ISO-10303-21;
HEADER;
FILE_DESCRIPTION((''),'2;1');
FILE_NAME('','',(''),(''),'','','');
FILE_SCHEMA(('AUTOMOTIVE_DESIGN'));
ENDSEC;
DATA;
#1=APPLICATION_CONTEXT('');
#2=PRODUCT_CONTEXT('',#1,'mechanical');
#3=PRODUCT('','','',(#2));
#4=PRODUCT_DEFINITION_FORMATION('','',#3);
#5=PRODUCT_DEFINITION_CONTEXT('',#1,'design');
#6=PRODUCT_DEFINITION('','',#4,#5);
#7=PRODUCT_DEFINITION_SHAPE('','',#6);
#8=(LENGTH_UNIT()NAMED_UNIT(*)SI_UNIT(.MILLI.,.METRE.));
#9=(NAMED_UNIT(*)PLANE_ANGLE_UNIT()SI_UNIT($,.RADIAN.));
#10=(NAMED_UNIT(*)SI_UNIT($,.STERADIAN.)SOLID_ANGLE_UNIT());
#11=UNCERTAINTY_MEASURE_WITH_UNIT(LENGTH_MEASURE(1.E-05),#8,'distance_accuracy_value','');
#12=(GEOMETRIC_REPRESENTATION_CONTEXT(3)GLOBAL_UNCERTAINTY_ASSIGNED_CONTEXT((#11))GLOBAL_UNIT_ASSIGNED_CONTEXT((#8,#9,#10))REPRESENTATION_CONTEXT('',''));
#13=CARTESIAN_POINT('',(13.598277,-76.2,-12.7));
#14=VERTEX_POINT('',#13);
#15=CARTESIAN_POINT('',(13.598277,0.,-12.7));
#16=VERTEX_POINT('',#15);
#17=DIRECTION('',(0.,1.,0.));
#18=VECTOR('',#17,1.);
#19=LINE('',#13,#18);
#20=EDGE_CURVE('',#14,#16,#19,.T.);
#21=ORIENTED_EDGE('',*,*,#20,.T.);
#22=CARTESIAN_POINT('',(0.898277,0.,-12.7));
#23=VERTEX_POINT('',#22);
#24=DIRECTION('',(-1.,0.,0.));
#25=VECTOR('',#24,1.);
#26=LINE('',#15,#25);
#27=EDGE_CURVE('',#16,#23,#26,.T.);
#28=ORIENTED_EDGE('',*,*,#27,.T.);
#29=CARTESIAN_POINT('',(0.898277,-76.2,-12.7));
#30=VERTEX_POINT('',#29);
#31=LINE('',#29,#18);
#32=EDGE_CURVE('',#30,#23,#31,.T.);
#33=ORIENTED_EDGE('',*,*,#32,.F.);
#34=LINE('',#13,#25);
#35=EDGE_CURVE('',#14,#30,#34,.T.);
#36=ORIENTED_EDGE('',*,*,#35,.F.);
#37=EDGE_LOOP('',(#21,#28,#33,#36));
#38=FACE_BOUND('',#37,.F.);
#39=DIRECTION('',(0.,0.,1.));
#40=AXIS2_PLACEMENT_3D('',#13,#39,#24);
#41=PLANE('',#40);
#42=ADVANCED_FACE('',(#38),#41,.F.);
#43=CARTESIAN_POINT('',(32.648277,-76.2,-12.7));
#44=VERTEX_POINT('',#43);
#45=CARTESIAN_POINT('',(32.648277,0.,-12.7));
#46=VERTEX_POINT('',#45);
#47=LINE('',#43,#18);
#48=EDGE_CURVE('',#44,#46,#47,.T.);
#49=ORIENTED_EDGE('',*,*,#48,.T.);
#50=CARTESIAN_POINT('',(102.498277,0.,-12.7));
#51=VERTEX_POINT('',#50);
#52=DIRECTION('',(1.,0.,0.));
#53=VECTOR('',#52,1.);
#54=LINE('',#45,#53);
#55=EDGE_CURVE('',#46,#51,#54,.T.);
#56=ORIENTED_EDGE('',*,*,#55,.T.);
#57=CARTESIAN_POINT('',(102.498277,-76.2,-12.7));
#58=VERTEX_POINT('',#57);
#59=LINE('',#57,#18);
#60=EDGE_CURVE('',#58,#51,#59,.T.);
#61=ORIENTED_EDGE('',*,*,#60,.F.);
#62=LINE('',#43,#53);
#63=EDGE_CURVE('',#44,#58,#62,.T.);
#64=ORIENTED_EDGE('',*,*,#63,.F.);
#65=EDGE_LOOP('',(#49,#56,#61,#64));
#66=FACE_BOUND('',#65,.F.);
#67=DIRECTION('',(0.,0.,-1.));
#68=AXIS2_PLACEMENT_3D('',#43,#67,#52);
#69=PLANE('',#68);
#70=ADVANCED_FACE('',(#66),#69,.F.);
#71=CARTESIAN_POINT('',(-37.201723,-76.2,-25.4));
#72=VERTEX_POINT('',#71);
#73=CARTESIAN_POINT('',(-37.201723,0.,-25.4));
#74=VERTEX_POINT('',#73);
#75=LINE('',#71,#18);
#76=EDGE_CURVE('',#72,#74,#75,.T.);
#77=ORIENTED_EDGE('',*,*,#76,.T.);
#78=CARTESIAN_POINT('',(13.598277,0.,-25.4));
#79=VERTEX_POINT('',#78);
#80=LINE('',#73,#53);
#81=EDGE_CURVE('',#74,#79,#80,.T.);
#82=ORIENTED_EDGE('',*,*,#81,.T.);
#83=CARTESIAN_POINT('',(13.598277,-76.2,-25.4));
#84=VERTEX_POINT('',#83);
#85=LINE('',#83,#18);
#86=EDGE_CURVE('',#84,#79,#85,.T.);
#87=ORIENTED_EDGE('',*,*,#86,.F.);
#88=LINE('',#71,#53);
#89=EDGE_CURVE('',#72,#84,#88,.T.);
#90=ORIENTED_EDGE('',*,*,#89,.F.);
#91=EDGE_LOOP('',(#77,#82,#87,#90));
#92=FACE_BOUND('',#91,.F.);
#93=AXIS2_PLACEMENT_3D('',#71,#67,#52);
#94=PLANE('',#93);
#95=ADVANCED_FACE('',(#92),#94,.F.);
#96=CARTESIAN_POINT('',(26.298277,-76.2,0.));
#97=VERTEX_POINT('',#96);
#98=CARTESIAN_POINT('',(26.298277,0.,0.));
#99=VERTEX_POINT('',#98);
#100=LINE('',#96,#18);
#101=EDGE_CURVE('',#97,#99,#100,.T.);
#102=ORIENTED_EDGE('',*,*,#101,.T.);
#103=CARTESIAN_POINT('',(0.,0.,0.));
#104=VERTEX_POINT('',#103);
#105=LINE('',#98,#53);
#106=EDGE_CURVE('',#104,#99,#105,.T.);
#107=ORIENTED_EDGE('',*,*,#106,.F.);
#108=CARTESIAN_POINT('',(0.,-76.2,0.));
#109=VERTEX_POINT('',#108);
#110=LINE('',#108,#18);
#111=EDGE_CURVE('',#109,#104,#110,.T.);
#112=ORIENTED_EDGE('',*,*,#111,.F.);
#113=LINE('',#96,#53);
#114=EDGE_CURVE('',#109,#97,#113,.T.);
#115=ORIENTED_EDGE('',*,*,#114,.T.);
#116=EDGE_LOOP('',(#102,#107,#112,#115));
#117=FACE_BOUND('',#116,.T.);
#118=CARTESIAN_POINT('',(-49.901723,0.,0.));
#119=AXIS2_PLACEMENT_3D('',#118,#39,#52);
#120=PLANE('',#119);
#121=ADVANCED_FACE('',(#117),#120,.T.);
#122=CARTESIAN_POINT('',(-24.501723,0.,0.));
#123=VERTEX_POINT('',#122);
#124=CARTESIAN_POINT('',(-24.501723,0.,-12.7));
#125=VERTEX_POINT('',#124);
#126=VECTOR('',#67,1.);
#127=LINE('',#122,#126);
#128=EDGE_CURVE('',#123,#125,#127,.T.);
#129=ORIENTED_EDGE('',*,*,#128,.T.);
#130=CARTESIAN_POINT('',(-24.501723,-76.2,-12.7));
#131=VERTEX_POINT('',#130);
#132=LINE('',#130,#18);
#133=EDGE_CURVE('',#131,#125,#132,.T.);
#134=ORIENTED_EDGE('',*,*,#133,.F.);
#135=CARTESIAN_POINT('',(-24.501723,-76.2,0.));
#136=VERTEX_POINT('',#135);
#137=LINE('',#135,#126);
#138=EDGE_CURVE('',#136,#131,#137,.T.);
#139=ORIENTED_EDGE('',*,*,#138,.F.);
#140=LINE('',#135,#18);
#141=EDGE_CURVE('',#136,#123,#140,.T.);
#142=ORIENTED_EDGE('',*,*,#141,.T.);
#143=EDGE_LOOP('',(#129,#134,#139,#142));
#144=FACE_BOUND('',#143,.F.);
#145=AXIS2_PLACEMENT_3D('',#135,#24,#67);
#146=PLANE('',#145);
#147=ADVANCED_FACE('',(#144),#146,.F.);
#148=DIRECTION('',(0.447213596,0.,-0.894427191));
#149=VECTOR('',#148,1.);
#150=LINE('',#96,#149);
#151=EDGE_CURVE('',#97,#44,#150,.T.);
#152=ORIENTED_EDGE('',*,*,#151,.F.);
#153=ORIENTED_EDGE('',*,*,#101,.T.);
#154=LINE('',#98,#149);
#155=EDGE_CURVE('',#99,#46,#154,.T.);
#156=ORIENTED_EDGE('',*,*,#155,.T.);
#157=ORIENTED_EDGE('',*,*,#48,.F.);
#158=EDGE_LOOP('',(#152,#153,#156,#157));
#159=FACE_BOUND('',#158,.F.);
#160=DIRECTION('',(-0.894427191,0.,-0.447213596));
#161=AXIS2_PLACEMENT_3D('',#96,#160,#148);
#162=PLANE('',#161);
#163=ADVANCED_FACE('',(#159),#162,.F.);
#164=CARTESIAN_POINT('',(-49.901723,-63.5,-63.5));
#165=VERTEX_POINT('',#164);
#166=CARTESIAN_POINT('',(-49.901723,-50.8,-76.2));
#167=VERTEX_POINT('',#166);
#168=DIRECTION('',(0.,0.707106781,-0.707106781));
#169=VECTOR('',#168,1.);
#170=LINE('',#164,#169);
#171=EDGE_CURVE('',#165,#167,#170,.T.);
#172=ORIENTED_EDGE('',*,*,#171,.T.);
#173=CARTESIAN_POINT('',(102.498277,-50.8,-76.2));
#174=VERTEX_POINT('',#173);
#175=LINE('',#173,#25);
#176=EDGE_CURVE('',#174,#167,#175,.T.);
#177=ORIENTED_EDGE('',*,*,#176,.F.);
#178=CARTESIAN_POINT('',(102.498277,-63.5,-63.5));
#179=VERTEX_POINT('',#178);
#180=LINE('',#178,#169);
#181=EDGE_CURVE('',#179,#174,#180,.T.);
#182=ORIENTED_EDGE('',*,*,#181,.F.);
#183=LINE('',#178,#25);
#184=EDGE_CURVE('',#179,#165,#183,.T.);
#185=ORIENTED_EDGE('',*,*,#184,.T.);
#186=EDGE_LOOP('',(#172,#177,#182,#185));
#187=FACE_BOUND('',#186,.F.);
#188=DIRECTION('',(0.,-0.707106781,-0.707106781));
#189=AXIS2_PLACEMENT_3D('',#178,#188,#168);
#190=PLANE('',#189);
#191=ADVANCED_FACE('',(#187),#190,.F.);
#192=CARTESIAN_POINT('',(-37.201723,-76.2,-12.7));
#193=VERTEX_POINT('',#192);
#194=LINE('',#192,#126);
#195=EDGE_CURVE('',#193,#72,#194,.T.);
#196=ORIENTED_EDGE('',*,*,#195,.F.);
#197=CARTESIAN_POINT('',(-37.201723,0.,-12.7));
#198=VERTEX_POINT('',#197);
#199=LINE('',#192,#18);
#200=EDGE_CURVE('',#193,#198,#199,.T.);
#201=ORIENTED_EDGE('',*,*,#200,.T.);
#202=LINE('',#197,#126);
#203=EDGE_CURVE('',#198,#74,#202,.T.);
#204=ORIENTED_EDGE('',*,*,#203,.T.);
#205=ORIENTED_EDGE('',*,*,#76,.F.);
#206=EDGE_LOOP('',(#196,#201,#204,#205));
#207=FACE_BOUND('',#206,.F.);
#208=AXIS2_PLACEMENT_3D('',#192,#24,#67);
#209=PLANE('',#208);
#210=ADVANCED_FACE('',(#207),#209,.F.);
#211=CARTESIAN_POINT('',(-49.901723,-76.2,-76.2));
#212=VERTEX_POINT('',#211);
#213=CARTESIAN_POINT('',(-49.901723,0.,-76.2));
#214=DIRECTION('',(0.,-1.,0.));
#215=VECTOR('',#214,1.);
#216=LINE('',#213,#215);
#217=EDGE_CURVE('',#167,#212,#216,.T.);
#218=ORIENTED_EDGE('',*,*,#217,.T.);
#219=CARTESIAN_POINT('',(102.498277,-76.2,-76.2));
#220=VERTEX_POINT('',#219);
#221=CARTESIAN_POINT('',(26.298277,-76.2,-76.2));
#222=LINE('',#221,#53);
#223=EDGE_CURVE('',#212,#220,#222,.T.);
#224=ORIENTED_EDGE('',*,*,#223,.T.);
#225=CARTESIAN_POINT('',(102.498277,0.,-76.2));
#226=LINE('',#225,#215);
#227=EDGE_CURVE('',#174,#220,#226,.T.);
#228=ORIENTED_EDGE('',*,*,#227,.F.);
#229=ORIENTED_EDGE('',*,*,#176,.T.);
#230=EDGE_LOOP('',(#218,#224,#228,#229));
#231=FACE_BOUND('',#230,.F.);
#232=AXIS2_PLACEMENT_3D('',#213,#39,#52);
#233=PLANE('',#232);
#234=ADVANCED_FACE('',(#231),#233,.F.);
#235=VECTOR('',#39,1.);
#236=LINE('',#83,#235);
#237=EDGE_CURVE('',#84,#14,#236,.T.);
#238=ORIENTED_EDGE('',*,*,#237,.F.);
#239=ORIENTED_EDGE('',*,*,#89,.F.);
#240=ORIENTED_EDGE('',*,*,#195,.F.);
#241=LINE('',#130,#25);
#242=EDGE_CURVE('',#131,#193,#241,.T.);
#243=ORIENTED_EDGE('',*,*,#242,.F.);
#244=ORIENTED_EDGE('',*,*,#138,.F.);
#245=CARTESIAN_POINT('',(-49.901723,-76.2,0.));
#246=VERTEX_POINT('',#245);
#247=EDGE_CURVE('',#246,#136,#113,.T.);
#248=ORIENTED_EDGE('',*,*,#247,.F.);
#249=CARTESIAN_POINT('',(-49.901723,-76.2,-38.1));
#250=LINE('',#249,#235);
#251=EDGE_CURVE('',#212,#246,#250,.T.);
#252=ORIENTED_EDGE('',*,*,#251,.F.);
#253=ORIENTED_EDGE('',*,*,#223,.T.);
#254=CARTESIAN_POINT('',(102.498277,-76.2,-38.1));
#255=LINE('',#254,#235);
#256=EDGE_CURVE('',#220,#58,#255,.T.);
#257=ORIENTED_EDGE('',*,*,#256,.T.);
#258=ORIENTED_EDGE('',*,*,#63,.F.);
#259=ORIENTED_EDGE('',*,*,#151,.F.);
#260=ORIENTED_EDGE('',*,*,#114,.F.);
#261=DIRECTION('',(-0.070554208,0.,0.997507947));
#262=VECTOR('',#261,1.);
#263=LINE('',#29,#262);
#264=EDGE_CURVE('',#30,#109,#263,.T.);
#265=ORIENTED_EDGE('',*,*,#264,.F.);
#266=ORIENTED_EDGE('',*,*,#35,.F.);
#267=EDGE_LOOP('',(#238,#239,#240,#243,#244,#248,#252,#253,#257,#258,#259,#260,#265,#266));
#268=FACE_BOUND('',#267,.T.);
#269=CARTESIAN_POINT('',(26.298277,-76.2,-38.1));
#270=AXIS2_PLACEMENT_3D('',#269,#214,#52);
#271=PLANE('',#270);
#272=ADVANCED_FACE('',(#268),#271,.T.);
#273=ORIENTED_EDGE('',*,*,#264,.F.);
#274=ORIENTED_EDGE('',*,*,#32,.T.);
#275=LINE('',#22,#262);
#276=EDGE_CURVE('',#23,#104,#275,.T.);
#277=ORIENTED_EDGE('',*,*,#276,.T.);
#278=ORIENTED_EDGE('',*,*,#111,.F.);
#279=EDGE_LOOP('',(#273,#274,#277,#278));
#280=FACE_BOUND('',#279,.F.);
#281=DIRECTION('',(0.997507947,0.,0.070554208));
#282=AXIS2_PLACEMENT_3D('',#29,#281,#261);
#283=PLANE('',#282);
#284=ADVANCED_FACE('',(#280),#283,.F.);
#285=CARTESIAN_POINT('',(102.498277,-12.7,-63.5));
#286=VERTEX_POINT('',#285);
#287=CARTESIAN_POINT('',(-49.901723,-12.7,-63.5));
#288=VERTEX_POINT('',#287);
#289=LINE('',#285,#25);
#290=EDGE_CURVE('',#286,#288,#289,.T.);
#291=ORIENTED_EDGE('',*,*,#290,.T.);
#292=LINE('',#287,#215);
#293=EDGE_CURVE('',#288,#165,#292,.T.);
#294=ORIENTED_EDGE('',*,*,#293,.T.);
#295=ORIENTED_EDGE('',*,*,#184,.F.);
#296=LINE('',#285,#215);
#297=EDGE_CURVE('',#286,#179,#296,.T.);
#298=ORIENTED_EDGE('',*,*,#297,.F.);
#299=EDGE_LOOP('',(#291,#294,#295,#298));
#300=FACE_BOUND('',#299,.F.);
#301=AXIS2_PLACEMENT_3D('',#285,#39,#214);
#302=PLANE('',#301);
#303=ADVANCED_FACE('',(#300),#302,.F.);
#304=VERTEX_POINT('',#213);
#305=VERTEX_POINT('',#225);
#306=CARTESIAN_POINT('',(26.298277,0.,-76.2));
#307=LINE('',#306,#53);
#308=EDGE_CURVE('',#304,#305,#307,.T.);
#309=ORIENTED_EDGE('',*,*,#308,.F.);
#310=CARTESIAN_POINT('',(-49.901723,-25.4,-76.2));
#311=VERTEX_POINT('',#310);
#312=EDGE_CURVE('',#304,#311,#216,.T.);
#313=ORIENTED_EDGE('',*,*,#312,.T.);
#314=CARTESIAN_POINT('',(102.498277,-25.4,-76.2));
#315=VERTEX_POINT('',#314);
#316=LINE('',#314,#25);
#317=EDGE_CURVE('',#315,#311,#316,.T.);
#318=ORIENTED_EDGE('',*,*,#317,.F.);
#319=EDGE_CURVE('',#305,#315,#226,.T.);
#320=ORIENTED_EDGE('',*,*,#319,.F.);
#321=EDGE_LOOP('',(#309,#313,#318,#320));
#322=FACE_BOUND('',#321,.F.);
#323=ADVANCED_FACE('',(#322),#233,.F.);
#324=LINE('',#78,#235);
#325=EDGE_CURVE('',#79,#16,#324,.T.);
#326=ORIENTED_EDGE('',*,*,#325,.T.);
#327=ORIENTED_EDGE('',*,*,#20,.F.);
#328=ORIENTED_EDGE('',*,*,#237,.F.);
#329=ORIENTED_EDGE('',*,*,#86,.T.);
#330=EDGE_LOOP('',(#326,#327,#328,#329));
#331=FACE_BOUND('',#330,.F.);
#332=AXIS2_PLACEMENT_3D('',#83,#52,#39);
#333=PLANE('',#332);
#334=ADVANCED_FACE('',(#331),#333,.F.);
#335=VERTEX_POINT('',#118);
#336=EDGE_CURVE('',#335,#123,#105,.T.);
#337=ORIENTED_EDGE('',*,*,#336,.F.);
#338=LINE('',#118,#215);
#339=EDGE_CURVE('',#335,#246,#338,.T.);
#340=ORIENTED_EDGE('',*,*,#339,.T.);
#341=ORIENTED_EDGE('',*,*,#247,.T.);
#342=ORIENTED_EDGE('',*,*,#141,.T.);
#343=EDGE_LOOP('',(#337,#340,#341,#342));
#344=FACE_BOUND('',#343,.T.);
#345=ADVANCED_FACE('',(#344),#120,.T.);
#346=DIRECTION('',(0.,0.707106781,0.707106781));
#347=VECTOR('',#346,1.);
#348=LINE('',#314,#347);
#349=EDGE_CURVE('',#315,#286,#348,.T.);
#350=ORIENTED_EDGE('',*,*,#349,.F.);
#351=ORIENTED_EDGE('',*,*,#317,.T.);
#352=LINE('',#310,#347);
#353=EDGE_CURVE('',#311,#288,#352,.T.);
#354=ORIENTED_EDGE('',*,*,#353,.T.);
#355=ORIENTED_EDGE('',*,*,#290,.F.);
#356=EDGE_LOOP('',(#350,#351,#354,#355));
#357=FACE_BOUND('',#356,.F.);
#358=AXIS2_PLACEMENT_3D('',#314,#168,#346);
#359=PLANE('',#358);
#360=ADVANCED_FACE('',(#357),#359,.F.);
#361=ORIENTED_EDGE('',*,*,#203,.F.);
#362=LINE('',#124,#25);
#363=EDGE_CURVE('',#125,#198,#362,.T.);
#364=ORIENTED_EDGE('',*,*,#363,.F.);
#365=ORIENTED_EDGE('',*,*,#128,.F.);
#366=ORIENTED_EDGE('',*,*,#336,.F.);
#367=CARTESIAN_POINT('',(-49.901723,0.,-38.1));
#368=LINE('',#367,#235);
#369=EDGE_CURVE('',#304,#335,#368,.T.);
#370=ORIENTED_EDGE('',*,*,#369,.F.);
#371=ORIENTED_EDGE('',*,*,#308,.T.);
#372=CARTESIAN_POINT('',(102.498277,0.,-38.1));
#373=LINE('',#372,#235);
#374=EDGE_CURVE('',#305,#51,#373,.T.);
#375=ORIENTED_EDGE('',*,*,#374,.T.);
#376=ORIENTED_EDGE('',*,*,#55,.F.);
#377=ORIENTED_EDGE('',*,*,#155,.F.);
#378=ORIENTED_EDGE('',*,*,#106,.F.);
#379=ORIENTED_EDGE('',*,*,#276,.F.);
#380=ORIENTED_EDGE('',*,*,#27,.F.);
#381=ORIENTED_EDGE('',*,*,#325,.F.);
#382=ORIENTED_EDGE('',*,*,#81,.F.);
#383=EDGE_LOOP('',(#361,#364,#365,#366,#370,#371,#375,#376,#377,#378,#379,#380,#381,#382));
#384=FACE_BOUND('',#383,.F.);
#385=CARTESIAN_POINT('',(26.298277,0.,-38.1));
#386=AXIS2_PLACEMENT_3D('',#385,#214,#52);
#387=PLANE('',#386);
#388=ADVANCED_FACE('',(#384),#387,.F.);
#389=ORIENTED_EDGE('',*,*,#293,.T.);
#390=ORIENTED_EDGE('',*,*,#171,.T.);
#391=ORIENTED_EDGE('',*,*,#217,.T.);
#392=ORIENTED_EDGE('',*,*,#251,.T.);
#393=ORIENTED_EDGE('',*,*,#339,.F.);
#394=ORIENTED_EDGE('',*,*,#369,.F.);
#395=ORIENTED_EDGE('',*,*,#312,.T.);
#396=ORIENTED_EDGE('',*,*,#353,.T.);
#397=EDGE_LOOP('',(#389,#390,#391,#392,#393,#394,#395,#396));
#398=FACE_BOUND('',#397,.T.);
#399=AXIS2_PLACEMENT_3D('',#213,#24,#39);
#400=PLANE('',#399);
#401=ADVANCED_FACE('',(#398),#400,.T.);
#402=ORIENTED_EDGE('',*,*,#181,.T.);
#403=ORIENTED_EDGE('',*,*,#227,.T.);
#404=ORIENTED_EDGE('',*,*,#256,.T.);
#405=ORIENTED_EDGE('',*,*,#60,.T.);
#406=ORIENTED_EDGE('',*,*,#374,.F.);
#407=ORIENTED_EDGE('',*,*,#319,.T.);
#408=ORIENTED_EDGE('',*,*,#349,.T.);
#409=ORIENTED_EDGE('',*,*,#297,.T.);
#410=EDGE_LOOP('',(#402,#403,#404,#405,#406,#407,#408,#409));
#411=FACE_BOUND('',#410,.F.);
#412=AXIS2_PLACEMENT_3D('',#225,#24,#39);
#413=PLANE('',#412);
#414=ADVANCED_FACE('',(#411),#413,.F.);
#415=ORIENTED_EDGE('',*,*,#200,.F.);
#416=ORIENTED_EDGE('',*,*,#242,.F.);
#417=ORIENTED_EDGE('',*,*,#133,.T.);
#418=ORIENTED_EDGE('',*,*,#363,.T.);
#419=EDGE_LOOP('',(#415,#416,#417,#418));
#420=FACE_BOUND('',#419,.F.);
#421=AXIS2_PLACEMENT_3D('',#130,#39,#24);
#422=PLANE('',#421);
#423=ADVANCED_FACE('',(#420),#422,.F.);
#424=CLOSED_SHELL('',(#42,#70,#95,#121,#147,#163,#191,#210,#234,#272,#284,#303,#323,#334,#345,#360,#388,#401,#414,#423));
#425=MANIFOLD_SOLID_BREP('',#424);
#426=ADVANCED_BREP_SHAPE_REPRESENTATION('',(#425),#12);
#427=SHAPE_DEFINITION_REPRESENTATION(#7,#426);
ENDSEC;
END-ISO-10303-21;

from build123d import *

# Parameters (mm, degrees)
F0_W     = 152.4
F0_H     = 76.2
F1_DEPTH = 76.2
F3_DEPTH = 76.2
F5_DEPTH = 152.4


with BuildPart() as f1:
    # F0 (on Front) → F1 (new body)
    with BuildSketch(Plane.XZ):
        with Locations((26.298277, -38.1)):
            Rectangle(F0_W, F0_H)
    extrude(amount=F1_DEPTH)

    # F2 (on face) → F3 (cut)
    with BuildSketch(Plane.XZ.offset(76.2)):
        Polygon((0, 0), (-24.501723, 0), (-24.501723, -12.7), (-37.201723, -12.7), (-37.201723, -25.4), (13.598277, -25.4), (13.598277, -12.7), (0.898277, -12.7), align=None)
        Polygon((32.648277, -12.7), (102.498277, -12.7), (102.498277, 0), (26.298277, 0), align=None)
    extrude(amount=-F3_DEPTH, mode=Mode.SUBTRACT)

    # F4 (on face) → F5 (cut, through all)
    with BuildSketch(Plane.YZ.offset(102.498277)):
        Polygon((-50.8, -76.2), (-25.4, -76.2), (-12.7, -63.5), (-63.5, -63.5), align=None)
    extrude(amount=-F5_DEPTH, mode=Mode.SUBTRACT)


solid = f1.part
